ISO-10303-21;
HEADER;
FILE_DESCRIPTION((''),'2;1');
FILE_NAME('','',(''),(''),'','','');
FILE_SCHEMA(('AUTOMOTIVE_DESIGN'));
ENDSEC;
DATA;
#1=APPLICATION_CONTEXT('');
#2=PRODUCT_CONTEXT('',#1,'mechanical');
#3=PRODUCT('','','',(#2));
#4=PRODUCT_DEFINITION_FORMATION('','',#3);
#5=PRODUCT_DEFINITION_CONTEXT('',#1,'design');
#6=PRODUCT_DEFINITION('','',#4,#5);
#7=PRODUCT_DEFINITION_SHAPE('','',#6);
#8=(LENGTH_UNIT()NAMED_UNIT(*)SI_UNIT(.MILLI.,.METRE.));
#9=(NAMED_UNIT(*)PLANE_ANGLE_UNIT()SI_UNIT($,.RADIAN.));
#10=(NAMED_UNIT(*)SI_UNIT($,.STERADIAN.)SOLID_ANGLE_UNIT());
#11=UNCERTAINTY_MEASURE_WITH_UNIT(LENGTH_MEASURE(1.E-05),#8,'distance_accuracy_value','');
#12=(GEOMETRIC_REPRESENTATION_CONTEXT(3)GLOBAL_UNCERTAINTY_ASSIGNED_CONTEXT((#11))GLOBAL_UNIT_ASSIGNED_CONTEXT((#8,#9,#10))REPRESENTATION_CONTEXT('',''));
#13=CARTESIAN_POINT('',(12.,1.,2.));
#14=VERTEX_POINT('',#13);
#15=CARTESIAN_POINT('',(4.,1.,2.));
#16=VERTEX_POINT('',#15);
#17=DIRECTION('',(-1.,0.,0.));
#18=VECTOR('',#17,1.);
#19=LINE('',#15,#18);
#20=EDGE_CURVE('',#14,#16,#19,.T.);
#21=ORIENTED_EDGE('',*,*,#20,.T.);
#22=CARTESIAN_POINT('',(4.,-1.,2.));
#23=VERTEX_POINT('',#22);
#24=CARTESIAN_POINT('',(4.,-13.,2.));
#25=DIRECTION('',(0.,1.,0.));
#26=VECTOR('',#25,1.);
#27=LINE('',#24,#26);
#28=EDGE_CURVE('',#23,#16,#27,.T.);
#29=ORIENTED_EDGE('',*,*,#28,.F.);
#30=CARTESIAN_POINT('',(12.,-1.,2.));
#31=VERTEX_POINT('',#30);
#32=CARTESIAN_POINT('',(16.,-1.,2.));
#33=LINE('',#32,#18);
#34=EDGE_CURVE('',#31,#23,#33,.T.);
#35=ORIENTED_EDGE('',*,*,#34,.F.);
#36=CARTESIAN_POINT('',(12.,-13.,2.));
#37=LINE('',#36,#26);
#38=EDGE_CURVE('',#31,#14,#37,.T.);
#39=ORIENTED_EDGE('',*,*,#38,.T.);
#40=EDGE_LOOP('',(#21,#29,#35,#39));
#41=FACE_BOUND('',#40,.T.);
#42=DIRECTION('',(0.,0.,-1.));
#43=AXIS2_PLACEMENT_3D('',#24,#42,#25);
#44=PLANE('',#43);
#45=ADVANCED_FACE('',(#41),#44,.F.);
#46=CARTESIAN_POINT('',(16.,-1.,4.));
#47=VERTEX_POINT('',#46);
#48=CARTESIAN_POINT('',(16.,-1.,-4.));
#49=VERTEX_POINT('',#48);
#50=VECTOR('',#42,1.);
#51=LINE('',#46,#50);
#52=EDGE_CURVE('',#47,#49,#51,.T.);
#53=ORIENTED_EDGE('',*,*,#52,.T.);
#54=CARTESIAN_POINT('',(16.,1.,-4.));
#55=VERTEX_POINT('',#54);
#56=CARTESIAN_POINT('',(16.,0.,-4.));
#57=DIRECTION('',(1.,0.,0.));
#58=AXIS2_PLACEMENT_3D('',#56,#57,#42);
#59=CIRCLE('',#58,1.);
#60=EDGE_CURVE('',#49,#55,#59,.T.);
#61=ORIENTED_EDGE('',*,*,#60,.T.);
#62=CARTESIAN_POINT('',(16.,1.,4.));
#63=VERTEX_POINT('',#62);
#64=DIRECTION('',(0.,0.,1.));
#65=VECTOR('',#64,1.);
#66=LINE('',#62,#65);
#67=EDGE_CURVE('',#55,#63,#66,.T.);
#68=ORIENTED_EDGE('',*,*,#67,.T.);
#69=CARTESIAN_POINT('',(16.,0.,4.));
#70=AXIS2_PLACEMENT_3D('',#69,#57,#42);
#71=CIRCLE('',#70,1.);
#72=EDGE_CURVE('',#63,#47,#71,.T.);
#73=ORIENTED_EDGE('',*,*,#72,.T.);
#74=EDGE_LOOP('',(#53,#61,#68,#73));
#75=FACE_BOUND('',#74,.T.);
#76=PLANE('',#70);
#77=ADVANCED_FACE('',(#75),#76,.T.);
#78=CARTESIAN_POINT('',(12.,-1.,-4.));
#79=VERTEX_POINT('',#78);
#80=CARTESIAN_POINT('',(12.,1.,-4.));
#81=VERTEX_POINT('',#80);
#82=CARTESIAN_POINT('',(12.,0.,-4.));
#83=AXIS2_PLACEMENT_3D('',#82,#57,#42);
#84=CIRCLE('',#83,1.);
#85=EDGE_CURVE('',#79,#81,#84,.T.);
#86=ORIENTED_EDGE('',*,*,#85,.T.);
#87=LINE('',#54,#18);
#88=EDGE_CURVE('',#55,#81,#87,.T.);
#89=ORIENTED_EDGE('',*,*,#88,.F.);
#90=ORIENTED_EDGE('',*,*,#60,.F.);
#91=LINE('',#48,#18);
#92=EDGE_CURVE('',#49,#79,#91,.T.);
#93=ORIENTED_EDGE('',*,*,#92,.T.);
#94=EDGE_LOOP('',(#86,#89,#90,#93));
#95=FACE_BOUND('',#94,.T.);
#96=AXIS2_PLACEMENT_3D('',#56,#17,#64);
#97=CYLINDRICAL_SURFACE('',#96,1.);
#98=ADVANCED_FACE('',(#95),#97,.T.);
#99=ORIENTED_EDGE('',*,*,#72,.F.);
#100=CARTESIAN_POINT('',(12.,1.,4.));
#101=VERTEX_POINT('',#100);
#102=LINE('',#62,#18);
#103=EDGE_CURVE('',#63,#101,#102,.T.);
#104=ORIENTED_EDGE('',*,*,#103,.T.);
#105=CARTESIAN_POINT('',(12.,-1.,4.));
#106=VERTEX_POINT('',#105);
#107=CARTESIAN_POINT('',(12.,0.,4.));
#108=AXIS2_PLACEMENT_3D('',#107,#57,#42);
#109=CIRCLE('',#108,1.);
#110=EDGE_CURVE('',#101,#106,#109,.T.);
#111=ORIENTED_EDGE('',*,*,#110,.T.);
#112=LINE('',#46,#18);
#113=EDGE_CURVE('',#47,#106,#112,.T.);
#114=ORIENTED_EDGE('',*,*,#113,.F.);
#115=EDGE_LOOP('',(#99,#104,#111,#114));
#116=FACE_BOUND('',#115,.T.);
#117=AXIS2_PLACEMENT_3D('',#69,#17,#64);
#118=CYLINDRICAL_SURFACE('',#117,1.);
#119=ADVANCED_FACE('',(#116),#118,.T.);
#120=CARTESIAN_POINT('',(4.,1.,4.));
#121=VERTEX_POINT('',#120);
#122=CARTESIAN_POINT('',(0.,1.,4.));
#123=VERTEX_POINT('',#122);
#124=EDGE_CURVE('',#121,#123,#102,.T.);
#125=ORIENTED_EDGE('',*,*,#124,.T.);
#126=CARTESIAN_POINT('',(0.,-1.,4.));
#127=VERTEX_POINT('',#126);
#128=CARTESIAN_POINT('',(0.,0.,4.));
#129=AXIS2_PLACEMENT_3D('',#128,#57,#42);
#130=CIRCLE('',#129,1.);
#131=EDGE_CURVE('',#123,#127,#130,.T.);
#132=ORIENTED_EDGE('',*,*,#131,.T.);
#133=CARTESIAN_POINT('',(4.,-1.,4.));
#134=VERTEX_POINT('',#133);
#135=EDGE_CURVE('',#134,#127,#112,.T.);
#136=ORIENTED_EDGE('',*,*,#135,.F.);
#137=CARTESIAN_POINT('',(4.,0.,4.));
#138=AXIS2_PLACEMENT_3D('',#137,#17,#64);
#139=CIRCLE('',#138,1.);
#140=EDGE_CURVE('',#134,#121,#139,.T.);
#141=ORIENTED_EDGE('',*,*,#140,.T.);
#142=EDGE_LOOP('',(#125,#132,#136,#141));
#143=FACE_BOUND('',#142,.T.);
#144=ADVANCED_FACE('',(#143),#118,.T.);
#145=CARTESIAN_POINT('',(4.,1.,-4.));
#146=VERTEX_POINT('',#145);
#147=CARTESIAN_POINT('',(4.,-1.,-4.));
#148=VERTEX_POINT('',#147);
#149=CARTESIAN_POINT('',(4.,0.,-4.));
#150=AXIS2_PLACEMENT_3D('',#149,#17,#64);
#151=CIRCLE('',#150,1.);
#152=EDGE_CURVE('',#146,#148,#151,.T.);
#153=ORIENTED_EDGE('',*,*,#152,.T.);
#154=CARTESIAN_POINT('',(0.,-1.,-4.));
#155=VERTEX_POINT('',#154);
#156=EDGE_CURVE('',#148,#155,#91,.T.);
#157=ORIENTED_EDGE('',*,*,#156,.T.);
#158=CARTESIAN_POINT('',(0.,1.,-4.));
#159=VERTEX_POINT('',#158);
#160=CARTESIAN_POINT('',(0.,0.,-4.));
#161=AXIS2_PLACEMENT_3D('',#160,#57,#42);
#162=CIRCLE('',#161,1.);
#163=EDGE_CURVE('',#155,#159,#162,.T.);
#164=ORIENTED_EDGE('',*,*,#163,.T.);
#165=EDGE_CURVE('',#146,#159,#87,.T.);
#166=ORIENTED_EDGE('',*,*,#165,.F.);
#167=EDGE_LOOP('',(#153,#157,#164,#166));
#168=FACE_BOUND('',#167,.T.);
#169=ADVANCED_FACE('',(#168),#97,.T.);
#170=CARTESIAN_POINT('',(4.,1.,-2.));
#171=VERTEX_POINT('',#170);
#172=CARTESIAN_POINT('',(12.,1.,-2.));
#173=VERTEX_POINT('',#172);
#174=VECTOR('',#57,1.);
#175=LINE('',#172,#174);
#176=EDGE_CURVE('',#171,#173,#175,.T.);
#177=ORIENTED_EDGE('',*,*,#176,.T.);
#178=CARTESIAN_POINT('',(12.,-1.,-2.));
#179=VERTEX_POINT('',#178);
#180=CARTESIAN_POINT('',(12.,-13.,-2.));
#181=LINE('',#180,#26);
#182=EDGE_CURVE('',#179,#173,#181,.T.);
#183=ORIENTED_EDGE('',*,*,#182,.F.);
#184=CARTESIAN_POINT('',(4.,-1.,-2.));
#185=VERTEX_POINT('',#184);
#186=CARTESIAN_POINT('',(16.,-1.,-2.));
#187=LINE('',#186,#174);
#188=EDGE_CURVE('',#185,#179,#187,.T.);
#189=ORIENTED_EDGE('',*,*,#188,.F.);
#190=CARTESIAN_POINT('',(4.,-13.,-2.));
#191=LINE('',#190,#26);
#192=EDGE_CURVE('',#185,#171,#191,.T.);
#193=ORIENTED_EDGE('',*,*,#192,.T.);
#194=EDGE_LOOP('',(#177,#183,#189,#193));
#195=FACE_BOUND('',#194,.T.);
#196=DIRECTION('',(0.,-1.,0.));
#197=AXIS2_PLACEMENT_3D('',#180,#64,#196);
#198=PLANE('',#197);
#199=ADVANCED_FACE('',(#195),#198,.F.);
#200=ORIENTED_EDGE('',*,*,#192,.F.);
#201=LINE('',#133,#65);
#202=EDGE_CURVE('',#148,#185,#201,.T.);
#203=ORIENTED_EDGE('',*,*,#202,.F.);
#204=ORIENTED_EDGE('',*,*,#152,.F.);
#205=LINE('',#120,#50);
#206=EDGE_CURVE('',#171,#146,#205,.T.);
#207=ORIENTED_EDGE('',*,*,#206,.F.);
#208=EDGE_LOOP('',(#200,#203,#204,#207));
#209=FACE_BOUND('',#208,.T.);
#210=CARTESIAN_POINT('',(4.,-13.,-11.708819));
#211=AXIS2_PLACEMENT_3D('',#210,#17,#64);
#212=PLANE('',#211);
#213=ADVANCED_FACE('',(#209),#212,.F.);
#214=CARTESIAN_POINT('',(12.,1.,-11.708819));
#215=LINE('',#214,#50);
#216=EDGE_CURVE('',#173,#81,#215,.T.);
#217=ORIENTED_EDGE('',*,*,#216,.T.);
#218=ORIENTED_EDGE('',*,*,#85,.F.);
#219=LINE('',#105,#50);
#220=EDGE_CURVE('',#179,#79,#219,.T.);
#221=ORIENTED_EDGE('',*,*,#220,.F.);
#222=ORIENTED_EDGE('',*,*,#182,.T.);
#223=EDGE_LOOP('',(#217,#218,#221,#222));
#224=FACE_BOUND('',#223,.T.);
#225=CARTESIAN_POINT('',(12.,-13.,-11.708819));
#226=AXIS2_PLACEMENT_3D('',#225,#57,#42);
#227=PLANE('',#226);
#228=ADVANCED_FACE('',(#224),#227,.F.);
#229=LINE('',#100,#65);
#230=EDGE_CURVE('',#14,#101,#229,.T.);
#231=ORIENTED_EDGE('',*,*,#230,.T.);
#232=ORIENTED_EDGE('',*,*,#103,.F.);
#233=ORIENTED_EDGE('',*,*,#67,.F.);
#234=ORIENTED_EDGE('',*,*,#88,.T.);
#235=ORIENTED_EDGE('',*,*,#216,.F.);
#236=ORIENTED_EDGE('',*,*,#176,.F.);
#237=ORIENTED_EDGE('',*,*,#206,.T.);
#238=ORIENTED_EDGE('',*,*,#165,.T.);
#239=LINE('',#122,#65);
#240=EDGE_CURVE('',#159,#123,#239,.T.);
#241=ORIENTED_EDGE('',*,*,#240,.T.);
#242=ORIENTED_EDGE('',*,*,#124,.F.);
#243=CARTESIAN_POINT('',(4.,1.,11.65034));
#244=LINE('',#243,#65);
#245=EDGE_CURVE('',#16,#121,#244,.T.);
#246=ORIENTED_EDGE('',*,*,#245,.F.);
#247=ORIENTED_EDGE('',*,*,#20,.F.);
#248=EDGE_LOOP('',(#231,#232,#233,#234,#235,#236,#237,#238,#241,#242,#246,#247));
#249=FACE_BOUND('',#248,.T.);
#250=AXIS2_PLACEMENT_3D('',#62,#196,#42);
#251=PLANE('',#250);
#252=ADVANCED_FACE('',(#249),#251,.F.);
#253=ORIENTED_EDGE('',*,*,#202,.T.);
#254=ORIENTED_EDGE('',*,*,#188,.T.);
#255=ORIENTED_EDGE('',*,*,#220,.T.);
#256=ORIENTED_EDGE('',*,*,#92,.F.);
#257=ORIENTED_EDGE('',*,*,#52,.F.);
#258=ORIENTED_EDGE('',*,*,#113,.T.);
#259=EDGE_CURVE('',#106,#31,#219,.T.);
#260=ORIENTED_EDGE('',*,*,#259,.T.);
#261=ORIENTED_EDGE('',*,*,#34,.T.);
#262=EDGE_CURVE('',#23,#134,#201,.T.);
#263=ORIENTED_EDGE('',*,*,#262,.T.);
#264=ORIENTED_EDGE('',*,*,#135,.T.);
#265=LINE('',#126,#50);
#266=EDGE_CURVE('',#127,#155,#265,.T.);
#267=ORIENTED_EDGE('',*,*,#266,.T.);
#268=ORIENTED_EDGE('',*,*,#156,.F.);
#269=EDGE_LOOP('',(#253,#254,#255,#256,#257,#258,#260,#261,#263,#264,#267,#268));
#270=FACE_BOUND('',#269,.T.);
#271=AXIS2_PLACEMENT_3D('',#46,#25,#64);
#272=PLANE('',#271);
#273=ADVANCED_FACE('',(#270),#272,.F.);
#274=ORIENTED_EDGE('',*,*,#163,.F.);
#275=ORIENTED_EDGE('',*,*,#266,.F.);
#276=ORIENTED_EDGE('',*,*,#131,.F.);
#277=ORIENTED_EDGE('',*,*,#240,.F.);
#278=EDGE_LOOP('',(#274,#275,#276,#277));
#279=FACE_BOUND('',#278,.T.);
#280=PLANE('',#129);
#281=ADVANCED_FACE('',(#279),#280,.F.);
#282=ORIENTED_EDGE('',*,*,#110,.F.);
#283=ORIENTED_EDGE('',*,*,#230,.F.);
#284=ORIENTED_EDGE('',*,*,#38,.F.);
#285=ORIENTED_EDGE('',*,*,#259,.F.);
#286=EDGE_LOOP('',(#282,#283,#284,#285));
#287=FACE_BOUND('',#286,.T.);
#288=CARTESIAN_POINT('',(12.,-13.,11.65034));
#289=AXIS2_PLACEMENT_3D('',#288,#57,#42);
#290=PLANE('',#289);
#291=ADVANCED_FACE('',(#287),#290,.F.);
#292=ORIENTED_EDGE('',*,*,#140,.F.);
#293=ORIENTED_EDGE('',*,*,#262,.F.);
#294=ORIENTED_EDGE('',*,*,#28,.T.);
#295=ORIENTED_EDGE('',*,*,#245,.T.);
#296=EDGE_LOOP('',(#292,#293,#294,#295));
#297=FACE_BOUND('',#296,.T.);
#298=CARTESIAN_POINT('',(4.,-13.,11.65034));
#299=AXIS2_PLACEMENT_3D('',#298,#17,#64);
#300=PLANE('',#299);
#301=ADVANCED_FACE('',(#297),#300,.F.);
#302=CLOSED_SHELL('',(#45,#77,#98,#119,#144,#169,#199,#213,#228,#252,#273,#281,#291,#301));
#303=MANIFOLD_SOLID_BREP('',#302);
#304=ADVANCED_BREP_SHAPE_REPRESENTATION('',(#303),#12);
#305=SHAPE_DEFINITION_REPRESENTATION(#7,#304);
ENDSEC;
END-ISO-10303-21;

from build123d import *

# Parameters (mm, degrees)
EXTRUDE_1_DEPTH     = 16
SKETCH_2_W          = 8
SKETCH_2_H          = 9.708819165
SKETCH_2_H_2        = 9.650339741
CUT_EXTRUDE_1_DEPTH = 14


with BuildPart() as part:
    # 草图1 → 凸台-拉伸1 (new body)
    with BuildSketch(Plane(origin=(0, 0, 0), x_dir=(0, 0, -1), z_dir=(1, 0, 0))):
        with BuildLine():
            Line((-4, 1), (4, 1))
            ThreePointArc((4, 1), (5, 0), (4, -1))
            Line((4, -1), (-4, -1))
            ThreePointArc((-4, -1), (-5, 0), (-4, 1))
        make_face()
    extrude(amount=EXTRUDE_1_DEPTH)

    # 草图2 → 切除-拉伸1 (cut)
    with BuildSketch(Plane(origin=(0, 1, 0), x_dir=(1, 0, 0), z_dir=(0, 1, 0))):
        with Locations((8, 6.854409583)):
            Rectangle(SKETCH_2_W, SKETCH_2_H)
        with Locations((8, -6.825169871)):
            Rectangle(SKETCH_2_W, SKETCH_2_H_2)
    extrude(amount=-CUT_EXTRUDE_1_DEPTH, mode=Mode.SUBTRACT)


solid = part.part
